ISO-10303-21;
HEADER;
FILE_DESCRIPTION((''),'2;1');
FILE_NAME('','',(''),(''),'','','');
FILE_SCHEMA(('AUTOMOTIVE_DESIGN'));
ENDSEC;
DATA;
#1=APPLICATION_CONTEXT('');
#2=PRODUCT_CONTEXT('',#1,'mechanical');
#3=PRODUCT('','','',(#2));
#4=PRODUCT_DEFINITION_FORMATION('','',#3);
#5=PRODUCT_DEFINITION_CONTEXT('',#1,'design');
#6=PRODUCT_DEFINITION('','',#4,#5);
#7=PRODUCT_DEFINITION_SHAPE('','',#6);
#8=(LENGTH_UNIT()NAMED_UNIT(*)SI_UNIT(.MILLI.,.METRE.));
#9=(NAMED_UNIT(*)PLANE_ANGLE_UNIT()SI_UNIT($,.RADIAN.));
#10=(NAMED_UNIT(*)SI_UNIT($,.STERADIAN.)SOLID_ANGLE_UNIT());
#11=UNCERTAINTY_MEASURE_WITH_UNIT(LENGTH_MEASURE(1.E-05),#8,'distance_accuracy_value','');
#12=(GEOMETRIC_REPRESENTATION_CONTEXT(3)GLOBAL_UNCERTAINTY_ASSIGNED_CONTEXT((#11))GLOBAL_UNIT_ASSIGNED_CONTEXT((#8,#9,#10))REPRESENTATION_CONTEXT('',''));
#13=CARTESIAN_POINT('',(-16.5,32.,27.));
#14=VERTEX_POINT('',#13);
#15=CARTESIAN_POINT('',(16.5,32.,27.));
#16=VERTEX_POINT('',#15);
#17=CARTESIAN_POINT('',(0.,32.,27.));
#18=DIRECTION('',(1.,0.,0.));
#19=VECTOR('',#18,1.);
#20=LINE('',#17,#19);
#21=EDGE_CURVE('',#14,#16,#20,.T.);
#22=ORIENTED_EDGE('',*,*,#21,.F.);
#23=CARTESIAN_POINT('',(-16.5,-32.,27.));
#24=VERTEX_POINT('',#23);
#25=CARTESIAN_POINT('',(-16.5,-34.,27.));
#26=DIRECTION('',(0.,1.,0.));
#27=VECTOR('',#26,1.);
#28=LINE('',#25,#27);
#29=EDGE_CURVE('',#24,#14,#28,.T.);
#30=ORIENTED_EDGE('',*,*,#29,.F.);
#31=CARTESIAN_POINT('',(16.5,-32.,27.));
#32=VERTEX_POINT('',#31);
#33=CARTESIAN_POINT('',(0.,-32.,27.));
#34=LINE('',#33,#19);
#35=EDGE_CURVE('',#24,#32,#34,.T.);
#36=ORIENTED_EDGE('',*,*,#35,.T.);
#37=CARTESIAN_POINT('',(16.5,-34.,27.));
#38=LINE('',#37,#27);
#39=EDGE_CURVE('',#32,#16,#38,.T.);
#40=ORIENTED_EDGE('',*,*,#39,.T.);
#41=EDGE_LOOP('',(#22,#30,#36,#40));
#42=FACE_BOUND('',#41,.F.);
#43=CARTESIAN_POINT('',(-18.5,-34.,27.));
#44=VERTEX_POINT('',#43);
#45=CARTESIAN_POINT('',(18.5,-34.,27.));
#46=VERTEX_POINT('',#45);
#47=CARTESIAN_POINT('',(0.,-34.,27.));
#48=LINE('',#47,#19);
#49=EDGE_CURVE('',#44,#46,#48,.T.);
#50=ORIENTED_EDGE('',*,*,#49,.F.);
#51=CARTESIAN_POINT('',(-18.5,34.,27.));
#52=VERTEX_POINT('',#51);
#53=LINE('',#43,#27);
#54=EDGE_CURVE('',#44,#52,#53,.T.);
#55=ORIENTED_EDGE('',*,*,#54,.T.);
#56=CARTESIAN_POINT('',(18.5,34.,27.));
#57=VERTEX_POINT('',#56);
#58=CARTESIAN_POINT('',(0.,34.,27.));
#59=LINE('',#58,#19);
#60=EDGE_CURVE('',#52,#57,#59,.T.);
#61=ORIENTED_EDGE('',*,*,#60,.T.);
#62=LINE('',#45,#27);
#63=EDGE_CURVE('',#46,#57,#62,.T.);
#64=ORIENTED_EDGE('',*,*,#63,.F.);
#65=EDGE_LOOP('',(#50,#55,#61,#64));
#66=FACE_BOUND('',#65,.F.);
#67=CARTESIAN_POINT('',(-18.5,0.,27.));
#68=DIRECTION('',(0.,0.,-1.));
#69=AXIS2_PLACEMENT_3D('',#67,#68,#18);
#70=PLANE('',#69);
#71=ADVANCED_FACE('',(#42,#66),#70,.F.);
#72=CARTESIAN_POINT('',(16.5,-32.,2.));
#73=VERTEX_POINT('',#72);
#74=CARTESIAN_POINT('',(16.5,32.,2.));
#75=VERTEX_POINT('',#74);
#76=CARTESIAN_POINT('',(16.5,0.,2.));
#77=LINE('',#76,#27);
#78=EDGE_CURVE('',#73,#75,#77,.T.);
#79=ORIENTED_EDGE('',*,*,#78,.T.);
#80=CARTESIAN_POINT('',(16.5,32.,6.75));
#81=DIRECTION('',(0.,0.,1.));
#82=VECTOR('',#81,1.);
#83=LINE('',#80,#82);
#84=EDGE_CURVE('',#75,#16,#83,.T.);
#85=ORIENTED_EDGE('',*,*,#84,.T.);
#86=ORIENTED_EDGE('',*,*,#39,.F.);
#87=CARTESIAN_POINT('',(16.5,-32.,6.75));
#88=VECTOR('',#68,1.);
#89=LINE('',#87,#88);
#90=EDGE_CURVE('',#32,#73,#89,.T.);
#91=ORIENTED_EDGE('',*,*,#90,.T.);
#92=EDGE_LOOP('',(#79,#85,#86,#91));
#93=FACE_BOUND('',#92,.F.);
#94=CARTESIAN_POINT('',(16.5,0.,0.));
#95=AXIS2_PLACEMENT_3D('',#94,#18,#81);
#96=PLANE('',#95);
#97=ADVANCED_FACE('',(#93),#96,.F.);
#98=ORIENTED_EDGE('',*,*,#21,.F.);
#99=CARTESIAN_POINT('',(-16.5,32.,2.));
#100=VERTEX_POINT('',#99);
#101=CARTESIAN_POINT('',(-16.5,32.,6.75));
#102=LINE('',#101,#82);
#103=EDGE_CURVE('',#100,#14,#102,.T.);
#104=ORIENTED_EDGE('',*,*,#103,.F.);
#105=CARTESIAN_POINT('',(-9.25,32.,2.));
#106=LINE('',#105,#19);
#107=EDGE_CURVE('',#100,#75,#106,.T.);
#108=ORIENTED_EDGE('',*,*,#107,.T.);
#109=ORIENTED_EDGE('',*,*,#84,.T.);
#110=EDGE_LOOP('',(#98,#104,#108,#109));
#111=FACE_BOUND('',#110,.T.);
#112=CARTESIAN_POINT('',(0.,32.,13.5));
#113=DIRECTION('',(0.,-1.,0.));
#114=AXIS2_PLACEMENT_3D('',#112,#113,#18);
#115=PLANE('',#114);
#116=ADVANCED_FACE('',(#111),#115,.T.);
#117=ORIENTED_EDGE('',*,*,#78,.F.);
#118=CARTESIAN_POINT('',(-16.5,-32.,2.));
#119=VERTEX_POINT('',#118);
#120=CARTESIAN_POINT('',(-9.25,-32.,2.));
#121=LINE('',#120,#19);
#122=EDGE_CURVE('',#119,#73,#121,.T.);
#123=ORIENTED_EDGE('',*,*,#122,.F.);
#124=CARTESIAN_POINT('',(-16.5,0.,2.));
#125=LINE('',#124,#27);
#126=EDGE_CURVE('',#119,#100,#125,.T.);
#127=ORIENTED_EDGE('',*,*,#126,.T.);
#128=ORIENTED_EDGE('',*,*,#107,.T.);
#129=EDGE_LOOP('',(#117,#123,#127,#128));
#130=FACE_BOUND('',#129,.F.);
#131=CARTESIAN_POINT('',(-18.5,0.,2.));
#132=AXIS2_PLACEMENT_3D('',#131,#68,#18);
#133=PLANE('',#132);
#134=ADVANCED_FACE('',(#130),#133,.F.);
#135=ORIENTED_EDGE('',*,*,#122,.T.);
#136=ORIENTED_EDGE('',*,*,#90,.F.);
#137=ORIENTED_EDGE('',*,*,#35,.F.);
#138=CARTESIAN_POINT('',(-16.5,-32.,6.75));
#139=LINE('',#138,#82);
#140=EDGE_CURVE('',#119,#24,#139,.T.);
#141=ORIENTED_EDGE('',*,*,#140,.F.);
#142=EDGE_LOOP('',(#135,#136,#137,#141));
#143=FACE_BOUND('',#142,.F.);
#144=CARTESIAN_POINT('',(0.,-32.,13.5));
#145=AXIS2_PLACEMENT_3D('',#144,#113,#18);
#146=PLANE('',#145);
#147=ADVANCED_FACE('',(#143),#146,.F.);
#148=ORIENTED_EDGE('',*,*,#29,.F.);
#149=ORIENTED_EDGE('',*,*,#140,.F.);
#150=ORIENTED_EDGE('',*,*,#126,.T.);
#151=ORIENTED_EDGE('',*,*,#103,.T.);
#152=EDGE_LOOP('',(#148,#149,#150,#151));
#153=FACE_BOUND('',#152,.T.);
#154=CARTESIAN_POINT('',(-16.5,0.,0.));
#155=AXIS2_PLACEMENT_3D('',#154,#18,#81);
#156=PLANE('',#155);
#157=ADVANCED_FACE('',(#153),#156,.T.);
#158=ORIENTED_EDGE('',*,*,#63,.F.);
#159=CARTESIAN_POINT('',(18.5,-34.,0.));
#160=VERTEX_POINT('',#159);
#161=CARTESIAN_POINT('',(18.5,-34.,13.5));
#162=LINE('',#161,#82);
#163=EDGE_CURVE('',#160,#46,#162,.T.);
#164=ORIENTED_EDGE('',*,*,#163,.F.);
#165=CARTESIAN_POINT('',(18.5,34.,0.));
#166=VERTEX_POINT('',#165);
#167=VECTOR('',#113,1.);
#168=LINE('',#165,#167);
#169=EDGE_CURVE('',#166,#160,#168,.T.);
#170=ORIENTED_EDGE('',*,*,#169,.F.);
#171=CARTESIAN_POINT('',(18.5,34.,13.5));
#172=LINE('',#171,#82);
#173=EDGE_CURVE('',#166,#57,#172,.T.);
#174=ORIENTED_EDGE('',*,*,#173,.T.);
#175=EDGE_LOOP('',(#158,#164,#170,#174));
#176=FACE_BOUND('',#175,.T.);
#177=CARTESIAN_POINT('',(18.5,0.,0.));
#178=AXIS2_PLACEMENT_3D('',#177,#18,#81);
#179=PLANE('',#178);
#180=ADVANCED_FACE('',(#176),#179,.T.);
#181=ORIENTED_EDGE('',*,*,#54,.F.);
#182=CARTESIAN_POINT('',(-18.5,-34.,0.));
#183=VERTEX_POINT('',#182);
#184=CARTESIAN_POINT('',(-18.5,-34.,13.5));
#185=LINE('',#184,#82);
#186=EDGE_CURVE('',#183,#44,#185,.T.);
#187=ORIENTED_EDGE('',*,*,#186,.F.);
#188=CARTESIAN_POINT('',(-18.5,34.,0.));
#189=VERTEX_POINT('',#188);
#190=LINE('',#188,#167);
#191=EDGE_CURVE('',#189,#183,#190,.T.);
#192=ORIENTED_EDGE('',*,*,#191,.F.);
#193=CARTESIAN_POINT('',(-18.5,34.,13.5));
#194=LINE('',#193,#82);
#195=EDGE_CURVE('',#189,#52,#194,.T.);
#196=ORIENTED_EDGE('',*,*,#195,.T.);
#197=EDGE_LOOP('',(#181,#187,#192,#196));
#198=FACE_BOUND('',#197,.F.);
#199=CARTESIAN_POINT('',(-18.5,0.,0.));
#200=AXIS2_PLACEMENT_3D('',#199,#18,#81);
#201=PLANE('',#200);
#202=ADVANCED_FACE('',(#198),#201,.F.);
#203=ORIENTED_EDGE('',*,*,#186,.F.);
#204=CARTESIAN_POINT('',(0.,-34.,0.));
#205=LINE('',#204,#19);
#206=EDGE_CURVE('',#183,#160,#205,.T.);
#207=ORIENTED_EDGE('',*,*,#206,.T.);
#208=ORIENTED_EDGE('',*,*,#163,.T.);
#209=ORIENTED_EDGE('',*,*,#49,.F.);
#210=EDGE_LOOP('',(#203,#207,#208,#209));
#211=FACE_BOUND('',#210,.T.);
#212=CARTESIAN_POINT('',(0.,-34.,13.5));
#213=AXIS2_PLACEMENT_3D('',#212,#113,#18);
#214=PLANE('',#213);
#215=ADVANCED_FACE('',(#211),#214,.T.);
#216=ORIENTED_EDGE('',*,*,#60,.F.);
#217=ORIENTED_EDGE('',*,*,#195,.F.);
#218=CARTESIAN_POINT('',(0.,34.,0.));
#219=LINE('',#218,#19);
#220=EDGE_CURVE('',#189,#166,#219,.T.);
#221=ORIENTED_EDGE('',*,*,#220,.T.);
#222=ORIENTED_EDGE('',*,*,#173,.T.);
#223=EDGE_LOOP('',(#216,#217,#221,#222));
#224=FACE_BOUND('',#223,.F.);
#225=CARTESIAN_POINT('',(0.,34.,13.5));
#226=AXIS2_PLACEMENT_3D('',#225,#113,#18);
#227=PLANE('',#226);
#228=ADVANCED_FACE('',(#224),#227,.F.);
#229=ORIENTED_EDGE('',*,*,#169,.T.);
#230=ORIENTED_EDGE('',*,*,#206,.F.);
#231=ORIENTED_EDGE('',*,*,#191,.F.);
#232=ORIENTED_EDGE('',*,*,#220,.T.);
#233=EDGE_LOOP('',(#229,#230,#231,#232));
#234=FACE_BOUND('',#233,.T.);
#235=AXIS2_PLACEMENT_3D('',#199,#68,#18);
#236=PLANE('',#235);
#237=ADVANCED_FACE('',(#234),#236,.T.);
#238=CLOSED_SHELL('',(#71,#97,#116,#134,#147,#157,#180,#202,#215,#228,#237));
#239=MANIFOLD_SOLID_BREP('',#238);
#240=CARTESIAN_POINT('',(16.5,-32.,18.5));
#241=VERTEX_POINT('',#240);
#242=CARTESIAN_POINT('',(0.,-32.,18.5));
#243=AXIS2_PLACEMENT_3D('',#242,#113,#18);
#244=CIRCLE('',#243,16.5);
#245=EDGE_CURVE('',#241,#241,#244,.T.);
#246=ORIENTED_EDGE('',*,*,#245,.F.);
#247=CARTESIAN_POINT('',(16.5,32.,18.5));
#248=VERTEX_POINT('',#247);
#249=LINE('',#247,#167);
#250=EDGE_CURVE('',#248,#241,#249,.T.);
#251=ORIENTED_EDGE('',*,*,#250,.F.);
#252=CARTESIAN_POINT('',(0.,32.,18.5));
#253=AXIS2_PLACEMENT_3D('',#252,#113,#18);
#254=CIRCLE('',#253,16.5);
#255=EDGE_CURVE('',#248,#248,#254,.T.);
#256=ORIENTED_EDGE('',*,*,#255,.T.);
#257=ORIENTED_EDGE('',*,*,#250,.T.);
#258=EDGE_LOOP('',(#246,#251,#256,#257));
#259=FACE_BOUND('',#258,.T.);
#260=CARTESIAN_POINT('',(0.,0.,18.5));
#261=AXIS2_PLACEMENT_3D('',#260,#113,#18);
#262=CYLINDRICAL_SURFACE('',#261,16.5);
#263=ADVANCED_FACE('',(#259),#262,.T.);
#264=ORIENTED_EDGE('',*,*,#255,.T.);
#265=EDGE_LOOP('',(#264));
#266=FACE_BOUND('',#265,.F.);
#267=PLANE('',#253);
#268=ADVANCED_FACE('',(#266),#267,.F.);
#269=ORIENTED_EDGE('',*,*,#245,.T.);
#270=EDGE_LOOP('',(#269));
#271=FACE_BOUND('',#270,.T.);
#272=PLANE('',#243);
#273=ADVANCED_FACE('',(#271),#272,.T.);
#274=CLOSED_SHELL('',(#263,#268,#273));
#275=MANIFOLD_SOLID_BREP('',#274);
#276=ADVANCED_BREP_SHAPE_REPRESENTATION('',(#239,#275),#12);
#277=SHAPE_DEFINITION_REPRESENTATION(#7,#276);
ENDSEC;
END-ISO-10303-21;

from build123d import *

# Parameters (mm, degrees)
F0_R     = 16.5
F1_DEPTH = 32
F2_W     = 37
F2_H     = 27
F3_DEPTH = 34
F4_T     = -2


with BuildPart() as f1:
    # F0 (on Front) → F1 (new body, symmetric)
    with BuildSketch(Plane.XZ):
        with Locations((0, 18.5)):
            Circle(F0_R)
    extrude(amount=F1_DEPTH, both=True)


with BuildPart() as f3:
    # F2 (on Front) → F3 (new body, symmetric)
    with BuildSketch(Plane.XZ):
        with Locations((0, 13.5)):
            Rectangle(F2_W, F2_H)
    extrude(amount=F3_DEPTH, both=True)

    # F4
    f4_openings = [f3.faces().sort_by_distance(p)[0] for p in [
        (0, 0, 27),
    ]]
    offset(amount=F4_T, openings=f4_openings)


solid = Compound([f1.part, f3.part])
